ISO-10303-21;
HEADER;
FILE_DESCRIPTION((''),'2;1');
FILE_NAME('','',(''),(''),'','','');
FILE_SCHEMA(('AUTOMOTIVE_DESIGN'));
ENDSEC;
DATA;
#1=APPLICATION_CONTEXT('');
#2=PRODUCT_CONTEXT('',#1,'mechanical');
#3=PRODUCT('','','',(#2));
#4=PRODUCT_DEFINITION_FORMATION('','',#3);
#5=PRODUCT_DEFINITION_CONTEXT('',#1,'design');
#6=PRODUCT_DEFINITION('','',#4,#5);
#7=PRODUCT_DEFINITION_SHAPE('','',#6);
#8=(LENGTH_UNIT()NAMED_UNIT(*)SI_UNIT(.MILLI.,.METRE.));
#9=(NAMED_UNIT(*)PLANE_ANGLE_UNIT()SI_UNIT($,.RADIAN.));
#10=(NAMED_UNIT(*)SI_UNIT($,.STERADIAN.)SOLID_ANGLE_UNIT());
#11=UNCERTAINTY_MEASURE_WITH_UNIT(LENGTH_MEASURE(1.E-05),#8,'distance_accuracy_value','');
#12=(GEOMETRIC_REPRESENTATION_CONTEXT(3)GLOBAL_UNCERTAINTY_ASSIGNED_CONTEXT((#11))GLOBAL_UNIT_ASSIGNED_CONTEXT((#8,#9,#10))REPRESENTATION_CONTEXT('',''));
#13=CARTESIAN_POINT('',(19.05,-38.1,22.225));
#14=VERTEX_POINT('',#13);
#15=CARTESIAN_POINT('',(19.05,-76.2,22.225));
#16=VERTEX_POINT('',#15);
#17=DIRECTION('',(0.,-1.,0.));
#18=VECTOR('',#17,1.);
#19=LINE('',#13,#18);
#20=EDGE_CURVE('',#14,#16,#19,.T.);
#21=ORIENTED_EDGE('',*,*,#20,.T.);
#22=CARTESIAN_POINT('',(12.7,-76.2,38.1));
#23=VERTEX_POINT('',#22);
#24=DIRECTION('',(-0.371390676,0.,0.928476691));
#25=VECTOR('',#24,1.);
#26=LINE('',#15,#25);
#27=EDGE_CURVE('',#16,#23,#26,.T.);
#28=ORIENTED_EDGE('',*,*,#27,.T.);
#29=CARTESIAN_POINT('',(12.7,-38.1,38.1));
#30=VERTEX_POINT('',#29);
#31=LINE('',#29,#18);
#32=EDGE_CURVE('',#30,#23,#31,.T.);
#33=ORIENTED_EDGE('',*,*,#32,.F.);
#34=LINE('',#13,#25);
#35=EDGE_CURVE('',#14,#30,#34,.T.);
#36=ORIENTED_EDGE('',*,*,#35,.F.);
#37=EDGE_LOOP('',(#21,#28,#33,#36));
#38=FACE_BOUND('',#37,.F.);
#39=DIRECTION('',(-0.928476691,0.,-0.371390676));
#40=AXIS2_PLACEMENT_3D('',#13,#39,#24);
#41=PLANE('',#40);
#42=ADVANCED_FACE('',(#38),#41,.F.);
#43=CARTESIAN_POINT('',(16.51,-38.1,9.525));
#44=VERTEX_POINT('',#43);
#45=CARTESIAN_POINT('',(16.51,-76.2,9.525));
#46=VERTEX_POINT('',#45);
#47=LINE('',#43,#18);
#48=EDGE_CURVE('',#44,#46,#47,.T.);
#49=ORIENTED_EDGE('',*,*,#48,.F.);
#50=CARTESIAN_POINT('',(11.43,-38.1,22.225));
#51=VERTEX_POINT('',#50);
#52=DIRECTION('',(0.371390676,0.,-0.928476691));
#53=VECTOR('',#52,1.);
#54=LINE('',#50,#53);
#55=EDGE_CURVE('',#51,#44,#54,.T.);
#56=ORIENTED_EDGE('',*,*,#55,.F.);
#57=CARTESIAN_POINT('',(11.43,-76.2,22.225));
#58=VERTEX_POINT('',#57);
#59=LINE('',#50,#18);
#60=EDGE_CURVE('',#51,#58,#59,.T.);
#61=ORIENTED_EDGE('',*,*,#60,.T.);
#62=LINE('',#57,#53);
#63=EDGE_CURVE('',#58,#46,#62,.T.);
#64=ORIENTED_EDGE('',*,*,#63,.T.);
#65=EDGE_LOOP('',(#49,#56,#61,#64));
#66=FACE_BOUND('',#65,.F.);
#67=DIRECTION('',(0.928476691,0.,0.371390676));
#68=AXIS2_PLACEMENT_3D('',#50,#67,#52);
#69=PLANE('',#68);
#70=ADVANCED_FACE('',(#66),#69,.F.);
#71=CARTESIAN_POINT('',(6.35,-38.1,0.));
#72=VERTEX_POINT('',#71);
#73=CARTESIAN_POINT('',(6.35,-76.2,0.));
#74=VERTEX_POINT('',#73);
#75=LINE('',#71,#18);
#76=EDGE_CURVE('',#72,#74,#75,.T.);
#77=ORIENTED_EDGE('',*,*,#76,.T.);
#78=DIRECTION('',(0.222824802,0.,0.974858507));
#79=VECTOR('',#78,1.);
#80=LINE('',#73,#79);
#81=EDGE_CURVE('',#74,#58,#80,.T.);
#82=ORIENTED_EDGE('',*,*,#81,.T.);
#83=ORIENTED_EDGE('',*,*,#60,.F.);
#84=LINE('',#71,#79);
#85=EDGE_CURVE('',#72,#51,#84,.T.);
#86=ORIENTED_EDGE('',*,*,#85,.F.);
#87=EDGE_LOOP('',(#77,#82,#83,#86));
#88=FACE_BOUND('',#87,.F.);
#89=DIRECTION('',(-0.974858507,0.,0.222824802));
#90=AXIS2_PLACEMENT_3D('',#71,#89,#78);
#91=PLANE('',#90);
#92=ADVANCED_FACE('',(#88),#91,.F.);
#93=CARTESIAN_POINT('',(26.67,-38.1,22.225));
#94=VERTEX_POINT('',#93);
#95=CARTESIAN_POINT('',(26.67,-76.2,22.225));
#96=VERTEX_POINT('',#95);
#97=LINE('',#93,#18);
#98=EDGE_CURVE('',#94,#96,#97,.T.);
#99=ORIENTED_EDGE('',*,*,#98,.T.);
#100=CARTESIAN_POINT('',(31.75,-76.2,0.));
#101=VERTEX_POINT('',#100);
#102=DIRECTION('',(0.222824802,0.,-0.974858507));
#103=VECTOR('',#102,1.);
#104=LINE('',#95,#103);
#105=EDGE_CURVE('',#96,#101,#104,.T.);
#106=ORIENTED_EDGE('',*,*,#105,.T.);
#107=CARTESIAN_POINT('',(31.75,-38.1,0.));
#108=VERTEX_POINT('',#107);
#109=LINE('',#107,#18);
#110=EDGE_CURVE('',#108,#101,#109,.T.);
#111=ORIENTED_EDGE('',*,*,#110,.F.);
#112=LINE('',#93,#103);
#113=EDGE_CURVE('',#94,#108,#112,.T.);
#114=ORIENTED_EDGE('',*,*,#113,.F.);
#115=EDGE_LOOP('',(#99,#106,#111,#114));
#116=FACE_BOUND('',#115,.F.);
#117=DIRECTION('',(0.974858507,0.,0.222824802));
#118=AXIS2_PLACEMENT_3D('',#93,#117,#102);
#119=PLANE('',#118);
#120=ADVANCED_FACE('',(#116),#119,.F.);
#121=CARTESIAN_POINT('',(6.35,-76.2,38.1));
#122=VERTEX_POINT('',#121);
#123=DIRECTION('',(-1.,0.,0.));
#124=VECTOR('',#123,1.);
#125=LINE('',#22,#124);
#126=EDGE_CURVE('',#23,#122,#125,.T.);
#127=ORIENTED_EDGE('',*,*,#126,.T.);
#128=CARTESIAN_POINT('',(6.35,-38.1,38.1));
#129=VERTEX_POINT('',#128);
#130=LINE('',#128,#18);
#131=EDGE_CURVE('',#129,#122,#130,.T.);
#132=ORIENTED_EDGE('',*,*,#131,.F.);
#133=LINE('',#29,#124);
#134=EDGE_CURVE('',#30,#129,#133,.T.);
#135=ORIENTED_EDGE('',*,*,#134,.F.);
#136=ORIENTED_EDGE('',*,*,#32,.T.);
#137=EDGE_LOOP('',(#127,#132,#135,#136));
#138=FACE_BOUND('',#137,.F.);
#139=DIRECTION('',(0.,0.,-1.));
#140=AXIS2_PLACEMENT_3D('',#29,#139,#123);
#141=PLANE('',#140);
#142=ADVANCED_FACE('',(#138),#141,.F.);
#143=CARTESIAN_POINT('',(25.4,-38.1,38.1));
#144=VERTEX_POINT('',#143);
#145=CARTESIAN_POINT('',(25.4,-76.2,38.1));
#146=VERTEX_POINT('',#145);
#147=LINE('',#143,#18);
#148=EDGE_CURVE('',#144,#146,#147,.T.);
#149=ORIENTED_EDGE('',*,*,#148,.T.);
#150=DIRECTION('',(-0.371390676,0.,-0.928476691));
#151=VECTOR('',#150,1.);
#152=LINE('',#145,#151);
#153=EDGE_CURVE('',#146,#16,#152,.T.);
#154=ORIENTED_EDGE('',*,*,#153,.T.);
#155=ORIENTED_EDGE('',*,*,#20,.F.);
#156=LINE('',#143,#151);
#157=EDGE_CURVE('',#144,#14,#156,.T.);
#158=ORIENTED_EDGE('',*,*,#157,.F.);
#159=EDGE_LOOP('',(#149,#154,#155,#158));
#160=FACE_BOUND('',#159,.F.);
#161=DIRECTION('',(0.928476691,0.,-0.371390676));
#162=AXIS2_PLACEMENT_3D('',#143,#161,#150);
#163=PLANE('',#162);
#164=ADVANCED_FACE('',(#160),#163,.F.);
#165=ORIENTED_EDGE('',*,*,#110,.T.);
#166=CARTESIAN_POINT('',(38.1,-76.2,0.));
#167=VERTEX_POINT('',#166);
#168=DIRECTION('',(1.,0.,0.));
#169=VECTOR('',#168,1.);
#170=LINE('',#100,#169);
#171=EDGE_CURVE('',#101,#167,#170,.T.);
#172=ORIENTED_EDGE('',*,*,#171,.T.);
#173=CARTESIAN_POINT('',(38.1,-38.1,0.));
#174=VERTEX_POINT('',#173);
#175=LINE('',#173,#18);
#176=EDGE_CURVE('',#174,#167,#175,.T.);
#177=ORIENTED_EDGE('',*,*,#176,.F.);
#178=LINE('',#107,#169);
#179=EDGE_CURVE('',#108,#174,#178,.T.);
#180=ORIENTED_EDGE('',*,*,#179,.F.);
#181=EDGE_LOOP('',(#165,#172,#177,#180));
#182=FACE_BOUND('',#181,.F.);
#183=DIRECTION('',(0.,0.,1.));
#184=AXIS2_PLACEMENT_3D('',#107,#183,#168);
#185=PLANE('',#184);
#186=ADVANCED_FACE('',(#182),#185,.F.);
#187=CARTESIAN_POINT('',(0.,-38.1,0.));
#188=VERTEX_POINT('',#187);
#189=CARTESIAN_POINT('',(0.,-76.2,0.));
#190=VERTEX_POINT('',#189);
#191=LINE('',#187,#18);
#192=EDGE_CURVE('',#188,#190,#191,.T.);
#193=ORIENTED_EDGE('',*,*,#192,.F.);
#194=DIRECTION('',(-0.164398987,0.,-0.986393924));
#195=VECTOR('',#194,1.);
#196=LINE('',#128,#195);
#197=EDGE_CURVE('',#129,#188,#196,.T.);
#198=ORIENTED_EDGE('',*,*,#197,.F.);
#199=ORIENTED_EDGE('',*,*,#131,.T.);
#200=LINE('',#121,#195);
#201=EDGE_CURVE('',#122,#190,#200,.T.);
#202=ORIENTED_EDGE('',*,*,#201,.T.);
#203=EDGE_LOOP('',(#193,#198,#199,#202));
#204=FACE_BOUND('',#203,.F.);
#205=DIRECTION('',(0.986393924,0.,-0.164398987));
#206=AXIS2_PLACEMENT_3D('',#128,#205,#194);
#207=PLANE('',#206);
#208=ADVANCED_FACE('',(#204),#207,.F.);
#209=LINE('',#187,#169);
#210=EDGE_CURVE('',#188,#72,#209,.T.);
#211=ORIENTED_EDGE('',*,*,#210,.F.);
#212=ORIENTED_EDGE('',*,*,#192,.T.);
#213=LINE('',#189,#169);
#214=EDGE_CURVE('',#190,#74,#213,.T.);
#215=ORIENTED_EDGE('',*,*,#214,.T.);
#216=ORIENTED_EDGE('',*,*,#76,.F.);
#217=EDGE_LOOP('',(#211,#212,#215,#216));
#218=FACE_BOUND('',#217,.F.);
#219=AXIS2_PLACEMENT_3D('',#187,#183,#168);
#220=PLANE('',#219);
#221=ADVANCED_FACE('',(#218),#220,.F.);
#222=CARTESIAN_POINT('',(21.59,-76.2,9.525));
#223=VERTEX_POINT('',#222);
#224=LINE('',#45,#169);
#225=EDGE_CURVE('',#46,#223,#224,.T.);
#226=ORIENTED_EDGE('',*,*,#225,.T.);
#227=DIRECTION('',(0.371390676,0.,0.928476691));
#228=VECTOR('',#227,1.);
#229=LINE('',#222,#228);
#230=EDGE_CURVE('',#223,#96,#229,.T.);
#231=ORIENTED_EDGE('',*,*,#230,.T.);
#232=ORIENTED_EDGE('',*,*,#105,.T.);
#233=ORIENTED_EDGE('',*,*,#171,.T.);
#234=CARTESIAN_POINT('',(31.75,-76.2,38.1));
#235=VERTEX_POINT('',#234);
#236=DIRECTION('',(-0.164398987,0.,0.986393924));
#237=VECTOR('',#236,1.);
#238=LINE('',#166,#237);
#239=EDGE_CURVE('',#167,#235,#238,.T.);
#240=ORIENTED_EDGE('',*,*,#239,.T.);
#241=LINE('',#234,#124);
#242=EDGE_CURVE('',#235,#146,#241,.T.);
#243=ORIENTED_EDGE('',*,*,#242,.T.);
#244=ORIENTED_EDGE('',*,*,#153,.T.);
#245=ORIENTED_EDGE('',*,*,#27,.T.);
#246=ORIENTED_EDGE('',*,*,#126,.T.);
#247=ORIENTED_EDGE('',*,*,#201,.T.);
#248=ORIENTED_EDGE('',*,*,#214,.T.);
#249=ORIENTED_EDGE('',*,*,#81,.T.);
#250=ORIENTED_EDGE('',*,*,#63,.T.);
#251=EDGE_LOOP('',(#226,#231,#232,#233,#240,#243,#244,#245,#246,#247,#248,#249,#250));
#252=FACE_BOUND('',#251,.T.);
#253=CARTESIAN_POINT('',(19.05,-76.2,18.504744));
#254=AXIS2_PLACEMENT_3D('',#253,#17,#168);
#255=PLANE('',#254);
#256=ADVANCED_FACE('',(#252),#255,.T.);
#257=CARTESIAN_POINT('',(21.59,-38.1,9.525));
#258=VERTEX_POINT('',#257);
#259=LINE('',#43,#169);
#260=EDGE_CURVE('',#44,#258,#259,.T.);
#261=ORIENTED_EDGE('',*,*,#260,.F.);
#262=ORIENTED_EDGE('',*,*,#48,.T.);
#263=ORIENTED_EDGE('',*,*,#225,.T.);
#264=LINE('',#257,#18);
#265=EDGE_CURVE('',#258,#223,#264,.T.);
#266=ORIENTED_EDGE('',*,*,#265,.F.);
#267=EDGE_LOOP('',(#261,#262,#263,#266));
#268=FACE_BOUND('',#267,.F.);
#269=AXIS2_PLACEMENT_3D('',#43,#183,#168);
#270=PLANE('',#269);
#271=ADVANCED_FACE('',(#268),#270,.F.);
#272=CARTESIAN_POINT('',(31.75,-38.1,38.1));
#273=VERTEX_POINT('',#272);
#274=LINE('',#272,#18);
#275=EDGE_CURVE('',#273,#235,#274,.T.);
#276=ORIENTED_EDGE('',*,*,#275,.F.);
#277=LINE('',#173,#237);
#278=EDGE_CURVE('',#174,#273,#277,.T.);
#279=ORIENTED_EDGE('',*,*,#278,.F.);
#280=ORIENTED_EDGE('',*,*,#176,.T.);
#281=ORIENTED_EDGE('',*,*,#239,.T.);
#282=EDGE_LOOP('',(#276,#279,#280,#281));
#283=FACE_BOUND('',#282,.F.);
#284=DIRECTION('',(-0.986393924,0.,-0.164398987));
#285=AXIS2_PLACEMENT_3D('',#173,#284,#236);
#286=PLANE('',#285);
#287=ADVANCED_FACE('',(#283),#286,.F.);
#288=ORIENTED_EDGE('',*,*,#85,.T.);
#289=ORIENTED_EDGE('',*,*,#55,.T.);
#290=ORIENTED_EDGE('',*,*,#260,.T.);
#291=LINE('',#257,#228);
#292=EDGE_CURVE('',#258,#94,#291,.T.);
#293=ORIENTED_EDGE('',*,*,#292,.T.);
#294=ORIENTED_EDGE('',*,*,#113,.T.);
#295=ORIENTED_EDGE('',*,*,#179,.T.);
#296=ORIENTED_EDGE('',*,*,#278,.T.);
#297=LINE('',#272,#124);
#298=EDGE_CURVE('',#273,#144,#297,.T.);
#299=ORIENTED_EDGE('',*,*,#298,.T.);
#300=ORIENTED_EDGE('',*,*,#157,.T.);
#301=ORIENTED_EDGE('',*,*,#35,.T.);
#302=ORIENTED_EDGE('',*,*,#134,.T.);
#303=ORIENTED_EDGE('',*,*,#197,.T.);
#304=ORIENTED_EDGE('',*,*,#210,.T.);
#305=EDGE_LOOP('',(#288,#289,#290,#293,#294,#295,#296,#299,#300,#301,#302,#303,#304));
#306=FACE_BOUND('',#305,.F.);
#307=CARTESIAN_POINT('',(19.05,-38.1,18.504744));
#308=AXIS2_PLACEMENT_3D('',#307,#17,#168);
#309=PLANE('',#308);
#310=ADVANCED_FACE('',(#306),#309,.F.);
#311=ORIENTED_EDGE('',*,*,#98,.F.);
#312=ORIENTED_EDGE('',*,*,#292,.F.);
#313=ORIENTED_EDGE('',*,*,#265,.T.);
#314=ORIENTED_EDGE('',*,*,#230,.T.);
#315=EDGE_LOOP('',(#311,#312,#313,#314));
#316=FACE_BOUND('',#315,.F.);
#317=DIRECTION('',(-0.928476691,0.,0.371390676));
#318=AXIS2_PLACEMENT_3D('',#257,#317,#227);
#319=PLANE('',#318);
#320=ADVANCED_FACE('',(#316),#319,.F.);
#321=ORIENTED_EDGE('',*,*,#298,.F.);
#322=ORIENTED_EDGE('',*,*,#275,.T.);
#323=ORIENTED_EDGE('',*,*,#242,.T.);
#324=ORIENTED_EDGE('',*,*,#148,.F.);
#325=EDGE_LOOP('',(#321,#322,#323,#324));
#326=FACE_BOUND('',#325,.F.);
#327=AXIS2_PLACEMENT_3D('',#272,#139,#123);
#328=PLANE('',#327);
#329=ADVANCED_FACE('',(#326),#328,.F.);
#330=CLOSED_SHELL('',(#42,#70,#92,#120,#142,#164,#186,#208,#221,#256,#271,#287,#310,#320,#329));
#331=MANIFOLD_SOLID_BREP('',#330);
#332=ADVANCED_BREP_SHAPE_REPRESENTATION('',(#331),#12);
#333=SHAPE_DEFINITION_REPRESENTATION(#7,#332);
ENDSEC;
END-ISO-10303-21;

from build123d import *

# Parameters (mm, degrees)
F2_DEPTH = 38.1


with BuildPart() as f2:
    # F1 (on offset) → F2 (new body)
    with BuildSketch(Plane.XZ.offset(38.1)):
        Polygon((6.35, 38.1), (0, 0), (6.35, 0), (11.43, 22.225), (16.51, 9.525), (21.59, 9.525), (26.67, 22.225), (31.75, 0), (38.1, 0), (31.75, 38.1), (25.4, 38.1), (19.05, 22.225), (12.7, 38.1), align=None)
    extrude(amount=F2_DEPTH)


solid = f2.part
